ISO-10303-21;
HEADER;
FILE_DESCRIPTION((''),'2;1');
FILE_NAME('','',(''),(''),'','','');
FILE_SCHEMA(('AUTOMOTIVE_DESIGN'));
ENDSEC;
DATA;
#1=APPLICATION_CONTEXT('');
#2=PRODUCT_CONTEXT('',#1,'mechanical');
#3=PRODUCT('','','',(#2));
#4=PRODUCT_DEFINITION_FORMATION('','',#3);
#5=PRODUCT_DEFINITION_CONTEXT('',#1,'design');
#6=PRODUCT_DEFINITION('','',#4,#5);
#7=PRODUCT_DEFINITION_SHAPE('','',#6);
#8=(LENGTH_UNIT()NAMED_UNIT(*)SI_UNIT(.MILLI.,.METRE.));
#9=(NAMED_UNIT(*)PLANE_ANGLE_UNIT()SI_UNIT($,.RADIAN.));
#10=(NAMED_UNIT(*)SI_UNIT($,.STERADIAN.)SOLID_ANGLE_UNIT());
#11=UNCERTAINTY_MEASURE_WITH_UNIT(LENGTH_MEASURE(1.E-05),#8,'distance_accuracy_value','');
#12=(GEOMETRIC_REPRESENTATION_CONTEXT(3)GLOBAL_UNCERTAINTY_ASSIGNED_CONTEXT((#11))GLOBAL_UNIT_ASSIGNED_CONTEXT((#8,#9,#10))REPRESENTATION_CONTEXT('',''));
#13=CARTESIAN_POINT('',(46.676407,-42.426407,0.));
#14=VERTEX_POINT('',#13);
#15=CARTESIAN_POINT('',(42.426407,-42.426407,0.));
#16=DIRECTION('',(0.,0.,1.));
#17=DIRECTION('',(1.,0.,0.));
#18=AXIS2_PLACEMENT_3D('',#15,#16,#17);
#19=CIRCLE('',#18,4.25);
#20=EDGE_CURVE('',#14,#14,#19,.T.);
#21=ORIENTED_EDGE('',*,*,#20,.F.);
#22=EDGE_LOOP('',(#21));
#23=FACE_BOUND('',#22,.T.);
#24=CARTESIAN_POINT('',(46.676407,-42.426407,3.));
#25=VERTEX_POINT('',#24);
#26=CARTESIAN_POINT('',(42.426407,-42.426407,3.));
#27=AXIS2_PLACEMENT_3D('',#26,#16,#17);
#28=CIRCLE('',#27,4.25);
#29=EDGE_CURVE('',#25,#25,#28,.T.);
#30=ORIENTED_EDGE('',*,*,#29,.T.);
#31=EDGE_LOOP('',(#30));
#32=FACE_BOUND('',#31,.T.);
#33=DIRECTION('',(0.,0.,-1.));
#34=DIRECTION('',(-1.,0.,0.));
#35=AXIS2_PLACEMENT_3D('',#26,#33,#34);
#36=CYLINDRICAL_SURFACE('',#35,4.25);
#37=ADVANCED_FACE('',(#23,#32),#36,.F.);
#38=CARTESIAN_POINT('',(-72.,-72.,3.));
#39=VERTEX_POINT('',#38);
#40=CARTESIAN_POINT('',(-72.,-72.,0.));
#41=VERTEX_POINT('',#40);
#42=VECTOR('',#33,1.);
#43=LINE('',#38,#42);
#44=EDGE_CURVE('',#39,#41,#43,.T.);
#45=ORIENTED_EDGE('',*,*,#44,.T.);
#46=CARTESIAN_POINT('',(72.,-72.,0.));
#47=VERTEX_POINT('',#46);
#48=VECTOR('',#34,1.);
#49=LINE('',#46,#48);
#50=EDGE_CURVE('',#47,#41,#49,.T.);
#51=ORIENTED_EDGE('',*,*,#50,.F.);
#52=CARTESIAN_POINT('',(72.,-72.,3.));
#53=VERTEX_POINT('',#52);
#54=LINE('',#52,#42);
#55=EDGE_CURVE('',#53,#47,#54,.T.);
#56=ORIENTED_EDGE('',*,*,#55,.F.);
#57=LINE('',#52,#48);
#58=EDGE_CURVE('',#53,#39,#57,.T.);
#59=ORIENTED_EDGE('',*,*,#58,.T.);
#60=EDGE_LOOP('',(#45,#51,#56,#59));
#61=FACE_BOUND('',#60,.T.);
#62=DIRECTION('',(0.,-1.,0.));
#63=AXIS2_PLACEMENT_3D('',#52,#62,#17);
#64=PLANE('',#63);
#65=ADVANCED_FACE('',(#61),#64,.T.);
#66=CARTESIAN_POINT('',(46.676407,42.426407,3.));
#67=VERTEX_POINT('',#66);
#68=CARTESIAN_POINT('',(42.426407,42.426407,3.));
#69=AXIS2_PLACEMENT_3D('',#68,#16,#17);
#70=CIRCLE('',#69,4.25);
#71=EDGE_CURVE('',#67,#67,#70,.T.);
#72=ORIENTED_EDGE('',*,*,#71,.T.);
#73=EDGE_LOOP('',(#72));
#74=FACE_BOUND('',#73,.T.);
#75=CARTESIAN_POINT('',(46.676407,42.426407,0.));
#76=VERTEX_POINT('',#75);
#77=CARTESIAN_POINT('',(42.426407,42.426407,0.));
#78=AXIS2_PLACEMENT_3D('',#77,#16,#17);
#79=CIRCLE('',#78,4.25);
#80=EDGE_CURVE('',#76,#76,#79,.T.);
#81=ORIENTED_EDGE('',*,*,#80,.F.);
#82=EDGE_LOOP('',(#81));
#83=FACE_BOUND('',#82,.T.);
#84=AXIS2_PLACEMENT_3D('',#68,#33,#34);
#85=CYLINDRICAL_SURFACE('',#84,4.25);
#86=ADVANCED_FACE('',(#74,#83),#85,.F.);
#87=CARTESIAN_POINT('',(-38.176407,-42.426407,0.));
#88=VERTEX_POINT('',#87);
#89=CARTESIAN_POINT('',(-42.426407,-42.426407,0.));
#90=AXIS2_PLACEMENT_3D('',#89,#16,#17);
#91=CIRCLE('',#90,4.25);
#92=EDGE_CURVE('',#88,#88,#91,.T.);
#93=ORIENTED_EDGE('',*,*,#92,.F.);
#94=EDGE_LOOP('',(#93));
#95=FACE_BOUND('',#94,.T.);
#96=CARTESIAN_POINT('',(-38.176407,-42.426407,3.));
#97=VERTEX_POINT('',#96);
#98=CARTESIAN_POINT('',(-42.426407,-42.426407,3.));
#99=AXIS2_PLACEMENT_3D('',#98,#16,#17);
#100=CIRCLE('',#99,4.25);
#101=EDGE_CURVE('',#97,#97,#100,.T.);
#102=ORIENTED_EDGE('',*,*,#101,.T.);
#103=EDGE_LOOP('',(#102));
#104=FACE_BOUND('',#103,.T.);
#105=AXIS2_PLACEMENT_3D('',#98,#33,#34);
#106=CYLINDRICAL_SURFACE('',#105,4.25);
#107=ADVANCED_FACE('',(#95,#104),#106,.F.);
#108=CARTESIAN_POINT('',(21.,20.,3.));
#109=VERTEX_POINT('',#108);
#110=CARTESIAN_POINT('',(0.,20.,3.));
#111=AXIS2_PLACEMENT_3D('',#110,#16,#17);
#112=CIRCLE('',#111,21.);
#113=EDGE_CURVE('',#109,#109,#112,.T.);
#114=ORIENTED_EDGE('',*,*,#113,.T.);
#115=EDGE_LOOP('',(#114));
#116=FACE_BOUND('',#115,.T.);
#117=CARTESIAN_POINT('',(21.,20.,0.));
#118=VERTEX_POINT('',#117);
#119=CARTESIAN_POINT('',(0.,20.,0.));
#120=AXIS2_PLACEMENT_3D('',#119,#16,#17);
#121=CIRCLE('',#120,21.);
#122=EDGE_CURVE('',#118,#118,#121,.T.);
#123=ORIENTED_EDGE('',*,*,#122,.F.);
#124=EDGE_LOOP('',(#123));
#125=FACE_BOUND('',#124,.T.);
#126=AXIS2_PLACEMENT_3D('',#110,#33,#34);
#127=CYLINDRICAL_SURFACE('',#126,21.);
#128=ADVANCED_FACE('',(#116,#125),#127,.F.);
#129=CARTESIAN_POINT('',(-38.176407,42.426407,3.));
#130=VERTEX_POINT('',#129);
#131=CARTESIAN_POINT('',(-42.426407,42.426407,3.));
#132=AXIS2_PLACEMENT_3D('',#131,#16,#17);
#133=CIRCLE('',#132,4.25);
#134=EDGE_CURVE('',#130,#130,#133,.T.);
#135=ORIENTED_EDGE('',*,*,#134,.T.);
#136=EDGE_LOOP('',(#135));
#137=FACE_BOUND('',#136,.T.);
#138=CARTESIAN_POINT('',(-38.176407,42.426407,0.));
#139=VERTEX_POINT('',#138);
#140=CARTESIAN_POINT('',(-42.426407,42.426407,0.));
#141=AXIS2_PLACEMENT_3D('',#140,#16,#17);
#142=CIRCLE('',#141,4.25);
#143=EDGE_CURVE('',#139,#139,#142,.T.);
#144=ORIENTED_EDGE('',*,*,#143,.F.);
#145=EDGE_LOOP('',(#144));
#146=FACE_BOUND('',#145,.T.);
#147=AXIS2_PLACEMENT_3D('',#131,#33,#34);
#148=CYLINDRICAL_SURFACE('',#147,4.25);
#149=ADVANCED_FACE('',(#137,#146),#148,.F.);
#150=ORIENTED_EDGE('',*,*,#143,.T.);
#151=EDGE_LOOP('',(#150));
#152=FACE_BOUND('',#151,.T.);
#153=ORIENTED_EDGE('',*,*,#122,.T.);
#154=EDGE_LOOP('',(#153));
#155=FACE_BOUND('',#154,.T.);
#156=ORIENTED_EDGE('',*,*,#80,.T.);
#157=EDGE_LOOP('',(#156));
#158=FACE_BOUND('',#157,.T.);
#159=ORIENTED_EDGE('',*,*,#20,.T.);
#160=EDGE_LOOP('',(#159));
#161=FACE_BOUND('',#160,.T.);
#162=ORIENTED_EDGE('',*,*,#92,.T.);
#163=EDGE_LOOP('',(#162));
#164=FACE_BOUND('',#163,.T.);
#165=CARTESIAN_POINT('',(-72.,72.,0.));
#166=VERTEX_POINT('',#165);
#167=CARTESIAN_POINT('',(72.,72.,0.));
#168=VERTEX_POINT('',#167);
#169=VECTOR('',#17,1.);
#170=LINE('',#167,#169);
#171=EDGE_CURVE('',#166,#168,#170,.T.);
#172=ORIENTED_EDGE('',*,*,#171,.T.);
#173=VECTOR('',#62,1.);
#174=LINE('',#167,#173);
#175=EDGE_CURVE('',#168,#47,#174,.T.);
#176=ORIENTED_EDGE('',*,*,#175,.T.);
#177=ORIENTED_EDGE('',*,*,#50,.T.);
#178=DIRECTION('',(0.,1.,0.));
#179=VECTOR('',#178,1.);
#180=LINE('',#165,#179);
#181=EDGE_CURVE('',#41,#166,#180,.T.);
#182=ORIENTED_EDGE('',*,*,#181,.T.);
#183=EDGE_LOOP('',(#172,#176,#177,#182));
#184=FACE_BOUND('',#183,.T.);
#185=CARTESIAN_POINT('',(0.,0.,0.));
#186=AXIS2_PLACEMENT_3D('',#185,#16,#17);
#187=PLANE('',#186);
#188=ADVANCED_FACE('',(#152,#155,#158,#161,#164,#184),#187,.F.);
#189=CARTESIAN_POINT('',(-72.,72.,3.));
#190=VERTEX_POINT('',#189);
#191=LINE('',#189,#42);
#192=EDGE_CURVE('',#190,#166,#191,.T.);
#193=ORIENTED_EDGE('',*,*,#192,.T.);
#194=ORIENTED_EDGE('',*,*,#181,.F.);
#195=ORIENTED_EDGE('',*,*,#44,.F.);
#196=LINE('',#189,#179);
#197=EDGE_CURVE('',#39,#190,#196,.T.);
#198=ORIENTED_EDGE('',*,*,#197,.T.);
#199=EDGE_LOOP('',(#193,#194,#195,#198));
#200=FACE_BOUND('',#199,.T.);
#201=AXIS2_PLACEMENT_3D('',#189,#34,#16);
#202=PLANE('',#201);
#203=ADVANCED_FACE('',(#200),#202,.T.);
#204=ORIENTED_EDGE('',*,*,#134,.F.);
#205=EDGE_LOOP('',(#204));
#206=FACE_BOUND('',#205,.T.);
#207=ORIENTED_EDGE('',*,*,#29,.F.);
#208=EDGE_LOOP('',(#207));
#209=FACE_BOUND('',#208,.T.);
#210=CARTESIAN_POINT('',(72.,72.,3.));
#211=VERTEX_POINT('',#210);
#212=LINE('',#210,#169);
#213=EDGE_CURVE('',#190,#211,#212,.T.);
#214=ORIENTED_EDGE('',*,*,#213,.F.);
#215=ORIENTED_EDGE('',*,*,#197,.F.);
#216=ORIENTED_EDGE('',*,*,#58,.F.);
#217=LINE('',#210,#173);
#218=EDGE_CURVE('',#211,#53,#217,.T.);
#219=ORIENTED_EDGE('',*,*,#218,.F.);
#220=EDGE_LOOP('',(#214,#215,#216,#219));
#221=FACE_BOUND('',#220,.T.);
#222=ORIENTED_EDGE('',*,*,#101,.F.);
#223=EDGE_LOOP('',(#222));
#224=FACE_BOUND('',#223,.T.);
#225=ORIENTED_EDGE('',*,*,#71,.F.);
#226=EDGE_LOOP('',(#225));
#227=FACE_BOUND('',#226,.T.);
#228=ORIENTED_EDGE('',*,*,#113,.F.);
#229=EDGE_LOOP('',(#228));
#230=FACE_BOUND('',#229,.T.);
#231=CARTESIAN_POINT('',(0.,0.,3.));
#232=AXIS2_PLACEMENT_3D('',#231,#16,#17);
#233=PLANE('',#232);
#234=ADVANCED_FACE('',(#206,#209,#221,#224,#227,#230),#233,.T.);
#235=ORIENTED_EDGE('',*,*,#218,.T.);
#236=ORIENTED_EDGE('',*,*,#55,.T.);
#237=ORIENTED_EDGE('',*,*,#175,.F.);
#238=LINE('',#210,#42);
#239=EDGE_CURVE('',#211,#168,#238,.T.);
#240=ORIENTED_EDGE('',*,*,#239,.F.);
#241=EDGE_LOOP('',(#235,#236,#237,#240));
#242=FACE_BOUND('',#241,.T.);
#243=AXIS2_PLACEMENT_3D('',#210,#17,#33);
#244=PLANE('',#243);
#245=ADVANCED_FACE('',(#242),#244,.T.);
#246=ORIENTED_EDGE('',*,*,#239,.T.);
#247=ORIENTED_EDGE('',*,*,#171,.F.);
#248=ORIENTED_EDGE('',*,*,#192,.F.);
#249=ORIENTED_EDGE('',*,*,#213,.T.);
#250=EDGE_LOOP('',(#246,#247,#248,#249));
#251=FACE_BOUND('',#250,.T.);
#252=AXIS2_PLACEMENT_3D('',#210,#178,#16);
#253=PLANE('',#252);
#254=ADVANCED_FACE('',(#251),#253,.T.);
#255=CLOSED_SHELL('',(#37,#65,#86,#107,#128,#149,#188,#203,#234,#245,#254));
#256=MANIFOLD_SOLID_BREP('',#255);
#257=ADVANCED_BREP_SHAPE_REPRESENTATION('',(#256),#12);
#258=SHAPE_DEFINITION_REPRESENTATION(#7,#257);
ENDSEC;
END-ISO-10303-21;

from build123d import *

# Parameters (mm, degrees)
SKETCH1_W           = 104
SKETCH1_H           = 104
SKETCH1_R           = 21
SKETCH1_R_2         = 4.25
BOSS_EXTRUDE1_DEPTH = 3
SKETCH2_W           = 144
SKETCH2_H           = 144
SKETCH2_W_2         = 104
SKETCH2_H_2         = 104
BOSS_EXTRUDE2_DEPTH = 3


with BuildPart() as part:
    # Sketch1 → Boss-Extrude1 (new body)
    with BuildSketch(Plane.XY):
        Rectangle(SKETCH1_W, SKETCH1_H)
        with Locations((0, 20)):
            Circle(SKETCH1_R, mode=Mode.SUBTRACT)
        with Locations((-42.426406871, 42.426406871)):
            Circle(SKETCH1_R_2, mode=Mode.SUBTRACT)
        with Locations((42.426406871, 42.426406871)):
            Circle(SKETCH1_R_2, mode=Mode.SUBTRACT)
        with Locations((42.426406871, -42.426406871)):
            Circle(SKETCH1_R_2, mode=Mode.SUBTRACT)
        with Locations((-42.426406871, -42.426406871)):
            Circle(SKETCH1_R_2, mode=Mode.SUBTRACT)
    extrude(amount=BOSS_EXTRUDE1_DEPTH)

    # Sketch2 → Boss-Extrude2 (add)
    with BuildSketch(Plane(origin=(0, 0, 0), x_dir=(-1, 0, 0), z_dir=(0, 0, -1))):
        Rectangle(SKETCH2_W, SKETCH2_H)
        Rectangle(SKETCH2_W_2, SKETCH2_H_2, mode=Mode.SUBTRACT)
    extrude(amount=-BOSS_EXTRUDE2_DEPTH)


solid = part.part
